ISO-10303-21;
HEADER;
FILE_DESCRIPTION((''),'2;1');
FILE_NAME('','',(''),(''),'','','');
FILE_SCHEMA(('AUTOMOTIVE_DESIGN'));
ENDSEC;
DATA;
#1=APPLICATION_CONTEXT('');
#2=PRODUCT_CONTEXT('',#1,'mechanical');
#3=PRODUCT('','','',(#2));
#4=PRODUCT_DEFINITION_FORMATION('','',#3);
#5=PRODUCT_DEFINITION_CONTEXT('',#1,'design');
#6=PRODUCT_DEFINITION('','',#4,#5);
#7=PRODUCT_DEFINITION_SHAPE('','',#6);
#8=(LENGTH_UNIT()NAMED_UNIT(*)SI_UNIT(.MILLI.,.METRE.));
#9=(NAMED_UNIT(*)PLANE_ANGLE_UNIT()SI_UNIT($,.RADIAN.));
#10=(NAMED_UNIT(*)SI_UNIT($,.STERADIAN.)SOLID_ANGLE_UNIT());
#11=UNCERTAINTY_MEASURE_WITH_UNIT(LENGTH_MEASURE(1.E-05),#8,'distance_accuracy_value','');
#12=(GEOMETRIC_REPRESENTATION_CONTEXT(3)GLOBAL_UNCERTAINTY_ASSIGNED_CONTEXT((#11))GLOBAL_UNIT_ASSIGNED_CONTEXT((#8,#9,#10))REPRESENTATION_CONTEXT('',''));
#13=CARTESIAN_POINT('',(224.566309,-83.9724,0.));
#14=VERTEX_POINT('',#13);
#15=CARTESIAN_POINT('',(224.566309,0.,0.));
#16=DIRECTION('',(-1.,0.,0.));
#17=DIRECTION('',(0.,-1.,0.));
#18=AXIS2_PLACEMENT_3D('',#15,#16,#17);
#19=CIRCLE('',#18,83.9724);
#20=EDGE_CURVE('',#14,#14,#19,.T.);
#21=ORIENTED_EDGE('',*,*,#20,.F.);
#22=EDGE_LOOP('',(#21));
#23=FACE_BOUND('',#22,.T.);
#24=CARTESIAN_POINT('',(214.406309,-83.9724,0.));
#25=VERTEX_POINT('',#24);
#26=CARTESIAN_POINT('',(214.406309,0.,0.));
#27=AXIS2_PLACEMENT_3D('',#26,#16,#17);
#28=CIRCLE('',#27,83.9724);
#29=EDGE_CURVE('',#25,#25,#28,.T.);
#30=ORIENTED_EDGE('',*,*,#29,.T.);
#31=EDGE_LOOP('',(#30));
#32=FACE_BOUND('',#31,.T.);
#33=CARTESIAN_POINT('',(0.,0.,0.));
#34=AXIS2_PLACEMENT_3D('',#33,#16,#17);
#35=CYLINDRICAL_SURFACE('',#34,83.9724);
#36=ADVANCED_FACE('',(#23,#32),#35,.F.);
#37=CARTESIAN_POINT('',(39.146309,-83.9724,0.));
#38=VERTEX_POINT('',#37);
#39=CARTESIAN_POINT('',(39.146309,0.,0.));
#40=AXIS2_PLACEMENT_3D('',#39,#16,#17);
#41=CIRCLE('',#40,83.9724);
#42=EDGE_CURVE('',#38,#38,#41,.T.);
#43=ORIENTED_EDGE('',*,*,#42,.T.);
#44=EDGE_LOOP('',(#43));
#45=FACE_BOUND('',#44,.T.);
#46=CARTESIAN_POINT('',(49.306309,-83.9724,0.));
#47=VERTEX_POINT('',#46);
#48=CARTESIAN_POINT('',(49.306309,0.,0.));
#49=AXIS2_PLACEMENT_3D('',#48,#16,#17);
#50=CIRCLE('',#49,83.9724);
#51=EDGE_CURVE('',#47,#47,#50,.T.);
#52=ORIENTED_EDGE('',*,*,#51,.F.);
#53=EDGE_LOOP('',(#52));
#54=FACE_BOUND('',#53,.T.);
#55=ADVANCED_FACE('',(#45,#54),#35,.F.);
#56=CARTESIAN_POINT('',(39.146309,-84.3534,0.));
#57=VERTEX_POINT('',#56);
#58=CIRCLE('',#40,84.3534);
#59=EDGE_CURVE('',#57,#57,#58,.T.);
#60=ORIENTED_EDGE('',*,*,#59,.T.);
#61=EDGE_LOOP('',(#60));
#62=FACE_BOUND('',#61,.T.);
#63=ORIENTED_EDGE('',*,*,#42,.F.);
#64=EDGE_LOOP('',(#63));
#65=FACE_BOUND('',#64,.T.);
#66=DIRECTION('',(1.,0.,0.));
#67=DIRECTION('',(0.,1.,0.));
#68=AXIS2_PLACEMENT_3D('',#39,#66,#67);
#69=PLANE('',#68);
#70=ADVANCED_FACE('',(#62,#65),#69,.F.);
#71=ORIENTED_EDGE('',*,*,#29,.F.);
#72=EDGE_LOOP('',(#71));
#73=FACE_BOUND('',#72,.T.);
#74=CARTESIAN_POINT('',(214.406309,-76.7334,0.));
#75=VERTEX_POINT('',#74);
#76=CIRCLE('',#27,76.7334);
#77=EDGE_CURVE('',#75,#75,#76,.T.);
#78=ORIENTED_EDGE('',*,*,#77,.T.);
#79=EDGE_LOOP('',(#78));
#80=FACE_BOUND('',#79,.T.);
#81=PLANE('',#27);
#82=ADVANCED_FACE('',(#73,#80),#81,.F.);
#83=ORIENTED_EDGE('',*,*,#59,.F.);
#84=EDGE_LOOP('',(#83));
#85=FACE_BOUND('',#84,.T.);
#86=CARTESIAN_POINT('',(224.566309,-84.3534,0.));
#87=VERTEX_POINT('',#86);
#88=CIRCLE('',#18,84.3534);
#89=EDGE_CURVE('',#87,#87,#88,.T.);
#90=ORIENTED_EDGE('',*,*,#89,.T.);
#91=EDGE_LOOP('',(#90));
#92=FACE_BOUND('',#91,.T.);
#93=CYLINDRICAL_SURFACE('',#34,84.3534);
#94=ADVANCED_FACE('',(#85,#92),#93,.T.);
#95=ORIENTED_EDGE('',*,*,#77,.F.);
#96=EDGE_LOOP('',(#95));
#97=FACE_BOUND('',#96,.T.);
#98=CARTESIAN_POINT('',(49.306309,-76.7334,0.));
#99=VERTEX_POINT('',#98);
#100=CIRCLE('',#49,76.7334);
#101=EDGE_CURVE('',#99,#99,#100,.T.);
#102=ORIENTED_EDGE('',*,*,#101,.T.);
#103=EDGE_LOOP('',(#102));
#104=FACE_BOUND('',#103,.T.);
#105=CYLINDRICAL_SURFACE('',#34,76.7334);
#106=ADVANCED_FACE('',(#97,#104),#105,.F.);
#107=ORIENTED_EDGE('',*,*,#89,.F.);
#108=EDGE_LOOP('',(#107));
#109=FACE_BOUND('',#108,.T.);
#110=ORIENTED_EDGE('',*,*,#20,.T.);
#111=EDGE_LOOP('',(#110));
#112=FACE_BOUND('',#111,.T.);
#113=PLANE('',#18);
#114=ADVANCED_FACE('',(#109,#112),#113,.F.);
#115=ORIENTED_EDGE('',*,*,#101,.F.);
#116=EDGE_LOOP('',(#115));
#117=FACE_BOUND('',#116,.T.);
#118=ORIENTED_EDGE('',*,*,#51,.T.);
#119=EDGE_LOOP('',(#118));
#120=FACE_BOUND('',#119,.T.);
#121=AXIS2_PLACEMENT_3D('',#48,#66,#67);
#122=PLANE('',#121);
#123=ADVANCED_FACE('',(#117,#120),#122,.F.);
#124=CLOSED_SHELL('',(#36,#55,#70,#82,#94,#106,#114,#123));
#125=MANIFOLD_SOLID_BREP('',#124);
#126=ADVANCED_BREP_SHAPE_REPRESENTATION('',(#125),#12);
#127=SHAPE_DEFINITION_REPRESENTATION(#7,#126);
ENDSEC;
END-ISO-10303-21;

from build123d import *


with BuildPart() as part:
    # Sketch1 → Revolve1 (revolve)
    with BuildSketch(Plane.XY, mode=Mode.PRIVATE) as revolve1_sk:
        Polygon((39.146309032, 83.9724), (49.306309032, 83.9724), (49.306309032, 76.7334), (214.406309032, 76.7334), (214.406309032, 83.9724), (224.566309032, 83.9724), (224.566309032, 84.3534), (39.146309032, 84.3534), align=None)
    revolve(revolve1_sk.sketch.rotate(Axis((0, 0, 0), (1, 0, 0)), 180), axis=Axis((0, 0, 0), (1, 0, 0)))


solid = part.part
